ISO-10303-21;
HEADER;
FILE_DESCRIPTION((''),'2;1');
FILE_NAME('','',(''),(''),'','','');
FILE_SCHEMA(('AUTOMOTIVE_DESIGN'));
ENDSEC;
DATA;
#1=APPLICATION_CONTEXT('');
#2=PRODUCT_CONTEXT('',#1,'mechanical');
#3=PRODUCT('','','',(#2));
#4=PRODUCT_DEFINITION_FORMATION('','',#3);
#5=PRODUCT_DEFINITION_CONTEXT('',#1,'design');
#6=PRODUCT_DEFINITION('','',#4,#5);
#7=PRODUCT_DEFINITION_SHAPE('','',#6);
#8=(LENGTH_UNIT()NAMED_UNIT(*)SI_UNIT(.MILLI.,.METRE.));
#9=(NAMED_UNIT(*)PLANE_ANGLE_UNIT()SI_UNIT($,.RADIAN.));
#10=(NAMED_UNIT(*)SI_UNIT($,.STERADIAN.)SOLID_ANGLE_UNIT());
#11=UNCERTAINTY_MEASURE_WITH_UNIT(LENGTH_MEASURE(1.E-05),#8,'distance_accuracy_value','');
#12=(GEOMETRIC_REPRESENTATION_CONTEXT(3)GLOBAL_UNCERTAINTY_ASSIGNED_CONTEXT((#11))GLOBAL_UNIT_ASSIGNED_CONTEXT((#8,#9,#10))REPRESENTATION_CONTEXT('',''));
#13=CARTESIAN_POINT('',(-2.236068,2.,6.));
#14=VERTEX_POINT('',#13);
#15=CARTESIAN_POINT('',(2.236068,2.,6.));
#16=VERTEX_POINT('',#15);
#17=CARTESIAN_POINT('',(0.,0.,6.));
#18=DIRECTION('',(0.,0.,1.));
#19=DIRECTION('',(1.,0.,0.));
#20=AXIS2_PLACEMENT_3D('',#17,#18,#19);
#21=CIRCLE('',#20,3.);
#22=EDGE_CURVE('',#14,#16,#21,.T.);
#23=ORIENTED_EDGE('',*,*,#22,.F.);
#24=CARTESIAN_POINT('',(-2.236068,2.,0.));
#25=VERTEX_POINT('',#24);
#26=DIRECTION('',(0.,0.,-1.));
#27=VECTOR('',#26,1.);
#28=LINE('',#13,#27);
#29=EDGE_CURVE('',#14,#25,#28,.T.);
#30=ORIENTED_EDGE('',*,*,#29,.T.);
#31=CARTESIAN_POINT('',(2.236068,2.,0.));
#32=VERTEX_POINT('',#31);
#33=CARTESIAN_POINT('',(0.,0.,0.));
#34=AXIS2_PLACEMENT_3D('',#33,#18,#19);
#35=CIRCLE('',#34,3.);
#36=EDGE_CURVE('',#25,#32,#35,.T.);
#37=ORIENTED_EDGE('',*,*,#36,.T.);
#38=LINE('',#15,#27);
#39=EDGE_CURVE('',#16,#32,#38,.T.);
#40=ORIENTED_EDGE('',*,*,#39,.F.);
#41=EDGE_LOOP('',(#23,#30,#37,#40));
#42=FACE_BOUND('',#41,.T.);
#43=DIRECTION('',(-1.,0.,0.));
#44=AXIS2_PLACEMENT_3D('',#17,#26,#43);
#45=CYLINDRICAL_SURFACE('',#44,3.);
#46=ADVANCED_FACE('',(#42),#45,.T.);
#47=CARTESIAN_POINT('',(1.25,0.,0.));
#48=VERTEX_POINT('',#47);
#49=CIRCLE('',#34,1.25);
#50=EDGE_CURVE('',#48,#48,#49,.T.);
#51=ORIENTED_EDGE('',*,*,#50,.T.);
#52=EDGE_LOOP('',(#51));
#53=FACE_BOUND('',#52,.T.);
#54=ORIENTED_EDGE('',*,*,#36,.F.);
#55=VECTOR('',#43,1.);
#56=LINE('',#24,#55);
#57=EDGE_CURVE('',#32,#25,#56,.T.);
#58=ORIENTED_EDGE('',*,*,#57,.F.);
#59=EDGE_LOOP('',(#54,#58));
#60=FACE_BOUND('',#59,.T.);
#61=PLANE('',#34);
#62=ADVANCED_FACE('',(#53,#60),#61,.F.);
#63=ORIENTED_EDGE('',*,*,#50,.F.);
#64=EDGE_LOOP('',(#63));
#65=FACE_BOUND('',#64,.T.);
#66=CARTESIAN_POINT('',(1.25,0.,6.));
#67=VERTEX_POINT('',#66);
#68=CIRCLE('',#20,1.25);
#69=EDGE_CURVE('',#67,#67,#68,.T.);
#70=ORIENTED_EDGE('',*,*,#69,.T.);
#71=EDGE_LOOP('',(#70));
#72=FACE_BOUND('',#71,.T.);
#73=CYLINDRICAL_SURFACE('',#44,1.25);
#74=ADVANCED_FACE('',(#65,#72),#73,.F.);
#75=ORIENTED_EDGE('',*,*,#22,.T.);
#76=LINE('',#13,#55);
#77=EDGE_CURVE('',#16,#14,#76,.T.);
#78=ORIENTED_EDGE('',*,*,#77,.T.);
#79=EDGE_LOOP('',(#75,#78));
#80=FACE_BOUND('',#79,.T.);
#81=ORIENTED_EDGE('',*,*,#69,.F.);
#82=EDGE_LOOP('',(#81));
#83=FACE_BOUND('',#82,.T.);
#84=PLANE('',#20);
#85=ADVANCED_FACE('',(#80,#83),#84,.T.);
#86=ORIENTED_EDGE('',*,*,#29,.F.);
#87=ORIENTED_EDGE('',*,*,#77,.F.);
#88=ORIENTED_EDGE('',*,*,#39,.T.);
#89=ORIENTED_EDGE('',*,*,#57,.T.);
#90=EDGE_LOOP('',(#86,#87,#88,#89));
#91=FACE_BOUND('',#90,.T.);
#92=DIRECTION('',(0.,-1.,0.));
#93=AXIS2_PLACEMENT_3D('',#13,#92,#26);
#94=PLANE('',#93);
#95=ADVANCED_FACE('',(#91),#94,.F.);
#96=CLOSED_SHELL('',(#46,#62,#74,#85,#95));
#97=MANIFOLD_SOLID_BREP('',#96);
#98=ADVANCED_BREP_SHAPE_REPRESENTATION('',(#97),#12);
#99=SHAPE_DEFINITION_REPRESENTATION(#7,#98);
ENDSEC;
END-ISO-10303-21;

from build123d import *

# Parameters (mm, degrees)
SKETCH1_R           = 1.25
BOSS_EXTRUDE1_DEPTH = 6


with BuildPart() as part:
    # Sketch1 → Boss-Extrude1 (new body)
    with BuildSketch(Plane.XY):
        with BuildLine():
            Line((-2.236067977, 2), (2.236067977, 2))
            ThreePointArc((2.236067977, 2), (0, -3), (-2.236067977, 2))
        make_face()
        Circle(SKETCH1_R, mode=Mode.SUBTRACT)
    extrude(amount=BOSS_EXTRUDE1_DEPTH)


solid = part.part
